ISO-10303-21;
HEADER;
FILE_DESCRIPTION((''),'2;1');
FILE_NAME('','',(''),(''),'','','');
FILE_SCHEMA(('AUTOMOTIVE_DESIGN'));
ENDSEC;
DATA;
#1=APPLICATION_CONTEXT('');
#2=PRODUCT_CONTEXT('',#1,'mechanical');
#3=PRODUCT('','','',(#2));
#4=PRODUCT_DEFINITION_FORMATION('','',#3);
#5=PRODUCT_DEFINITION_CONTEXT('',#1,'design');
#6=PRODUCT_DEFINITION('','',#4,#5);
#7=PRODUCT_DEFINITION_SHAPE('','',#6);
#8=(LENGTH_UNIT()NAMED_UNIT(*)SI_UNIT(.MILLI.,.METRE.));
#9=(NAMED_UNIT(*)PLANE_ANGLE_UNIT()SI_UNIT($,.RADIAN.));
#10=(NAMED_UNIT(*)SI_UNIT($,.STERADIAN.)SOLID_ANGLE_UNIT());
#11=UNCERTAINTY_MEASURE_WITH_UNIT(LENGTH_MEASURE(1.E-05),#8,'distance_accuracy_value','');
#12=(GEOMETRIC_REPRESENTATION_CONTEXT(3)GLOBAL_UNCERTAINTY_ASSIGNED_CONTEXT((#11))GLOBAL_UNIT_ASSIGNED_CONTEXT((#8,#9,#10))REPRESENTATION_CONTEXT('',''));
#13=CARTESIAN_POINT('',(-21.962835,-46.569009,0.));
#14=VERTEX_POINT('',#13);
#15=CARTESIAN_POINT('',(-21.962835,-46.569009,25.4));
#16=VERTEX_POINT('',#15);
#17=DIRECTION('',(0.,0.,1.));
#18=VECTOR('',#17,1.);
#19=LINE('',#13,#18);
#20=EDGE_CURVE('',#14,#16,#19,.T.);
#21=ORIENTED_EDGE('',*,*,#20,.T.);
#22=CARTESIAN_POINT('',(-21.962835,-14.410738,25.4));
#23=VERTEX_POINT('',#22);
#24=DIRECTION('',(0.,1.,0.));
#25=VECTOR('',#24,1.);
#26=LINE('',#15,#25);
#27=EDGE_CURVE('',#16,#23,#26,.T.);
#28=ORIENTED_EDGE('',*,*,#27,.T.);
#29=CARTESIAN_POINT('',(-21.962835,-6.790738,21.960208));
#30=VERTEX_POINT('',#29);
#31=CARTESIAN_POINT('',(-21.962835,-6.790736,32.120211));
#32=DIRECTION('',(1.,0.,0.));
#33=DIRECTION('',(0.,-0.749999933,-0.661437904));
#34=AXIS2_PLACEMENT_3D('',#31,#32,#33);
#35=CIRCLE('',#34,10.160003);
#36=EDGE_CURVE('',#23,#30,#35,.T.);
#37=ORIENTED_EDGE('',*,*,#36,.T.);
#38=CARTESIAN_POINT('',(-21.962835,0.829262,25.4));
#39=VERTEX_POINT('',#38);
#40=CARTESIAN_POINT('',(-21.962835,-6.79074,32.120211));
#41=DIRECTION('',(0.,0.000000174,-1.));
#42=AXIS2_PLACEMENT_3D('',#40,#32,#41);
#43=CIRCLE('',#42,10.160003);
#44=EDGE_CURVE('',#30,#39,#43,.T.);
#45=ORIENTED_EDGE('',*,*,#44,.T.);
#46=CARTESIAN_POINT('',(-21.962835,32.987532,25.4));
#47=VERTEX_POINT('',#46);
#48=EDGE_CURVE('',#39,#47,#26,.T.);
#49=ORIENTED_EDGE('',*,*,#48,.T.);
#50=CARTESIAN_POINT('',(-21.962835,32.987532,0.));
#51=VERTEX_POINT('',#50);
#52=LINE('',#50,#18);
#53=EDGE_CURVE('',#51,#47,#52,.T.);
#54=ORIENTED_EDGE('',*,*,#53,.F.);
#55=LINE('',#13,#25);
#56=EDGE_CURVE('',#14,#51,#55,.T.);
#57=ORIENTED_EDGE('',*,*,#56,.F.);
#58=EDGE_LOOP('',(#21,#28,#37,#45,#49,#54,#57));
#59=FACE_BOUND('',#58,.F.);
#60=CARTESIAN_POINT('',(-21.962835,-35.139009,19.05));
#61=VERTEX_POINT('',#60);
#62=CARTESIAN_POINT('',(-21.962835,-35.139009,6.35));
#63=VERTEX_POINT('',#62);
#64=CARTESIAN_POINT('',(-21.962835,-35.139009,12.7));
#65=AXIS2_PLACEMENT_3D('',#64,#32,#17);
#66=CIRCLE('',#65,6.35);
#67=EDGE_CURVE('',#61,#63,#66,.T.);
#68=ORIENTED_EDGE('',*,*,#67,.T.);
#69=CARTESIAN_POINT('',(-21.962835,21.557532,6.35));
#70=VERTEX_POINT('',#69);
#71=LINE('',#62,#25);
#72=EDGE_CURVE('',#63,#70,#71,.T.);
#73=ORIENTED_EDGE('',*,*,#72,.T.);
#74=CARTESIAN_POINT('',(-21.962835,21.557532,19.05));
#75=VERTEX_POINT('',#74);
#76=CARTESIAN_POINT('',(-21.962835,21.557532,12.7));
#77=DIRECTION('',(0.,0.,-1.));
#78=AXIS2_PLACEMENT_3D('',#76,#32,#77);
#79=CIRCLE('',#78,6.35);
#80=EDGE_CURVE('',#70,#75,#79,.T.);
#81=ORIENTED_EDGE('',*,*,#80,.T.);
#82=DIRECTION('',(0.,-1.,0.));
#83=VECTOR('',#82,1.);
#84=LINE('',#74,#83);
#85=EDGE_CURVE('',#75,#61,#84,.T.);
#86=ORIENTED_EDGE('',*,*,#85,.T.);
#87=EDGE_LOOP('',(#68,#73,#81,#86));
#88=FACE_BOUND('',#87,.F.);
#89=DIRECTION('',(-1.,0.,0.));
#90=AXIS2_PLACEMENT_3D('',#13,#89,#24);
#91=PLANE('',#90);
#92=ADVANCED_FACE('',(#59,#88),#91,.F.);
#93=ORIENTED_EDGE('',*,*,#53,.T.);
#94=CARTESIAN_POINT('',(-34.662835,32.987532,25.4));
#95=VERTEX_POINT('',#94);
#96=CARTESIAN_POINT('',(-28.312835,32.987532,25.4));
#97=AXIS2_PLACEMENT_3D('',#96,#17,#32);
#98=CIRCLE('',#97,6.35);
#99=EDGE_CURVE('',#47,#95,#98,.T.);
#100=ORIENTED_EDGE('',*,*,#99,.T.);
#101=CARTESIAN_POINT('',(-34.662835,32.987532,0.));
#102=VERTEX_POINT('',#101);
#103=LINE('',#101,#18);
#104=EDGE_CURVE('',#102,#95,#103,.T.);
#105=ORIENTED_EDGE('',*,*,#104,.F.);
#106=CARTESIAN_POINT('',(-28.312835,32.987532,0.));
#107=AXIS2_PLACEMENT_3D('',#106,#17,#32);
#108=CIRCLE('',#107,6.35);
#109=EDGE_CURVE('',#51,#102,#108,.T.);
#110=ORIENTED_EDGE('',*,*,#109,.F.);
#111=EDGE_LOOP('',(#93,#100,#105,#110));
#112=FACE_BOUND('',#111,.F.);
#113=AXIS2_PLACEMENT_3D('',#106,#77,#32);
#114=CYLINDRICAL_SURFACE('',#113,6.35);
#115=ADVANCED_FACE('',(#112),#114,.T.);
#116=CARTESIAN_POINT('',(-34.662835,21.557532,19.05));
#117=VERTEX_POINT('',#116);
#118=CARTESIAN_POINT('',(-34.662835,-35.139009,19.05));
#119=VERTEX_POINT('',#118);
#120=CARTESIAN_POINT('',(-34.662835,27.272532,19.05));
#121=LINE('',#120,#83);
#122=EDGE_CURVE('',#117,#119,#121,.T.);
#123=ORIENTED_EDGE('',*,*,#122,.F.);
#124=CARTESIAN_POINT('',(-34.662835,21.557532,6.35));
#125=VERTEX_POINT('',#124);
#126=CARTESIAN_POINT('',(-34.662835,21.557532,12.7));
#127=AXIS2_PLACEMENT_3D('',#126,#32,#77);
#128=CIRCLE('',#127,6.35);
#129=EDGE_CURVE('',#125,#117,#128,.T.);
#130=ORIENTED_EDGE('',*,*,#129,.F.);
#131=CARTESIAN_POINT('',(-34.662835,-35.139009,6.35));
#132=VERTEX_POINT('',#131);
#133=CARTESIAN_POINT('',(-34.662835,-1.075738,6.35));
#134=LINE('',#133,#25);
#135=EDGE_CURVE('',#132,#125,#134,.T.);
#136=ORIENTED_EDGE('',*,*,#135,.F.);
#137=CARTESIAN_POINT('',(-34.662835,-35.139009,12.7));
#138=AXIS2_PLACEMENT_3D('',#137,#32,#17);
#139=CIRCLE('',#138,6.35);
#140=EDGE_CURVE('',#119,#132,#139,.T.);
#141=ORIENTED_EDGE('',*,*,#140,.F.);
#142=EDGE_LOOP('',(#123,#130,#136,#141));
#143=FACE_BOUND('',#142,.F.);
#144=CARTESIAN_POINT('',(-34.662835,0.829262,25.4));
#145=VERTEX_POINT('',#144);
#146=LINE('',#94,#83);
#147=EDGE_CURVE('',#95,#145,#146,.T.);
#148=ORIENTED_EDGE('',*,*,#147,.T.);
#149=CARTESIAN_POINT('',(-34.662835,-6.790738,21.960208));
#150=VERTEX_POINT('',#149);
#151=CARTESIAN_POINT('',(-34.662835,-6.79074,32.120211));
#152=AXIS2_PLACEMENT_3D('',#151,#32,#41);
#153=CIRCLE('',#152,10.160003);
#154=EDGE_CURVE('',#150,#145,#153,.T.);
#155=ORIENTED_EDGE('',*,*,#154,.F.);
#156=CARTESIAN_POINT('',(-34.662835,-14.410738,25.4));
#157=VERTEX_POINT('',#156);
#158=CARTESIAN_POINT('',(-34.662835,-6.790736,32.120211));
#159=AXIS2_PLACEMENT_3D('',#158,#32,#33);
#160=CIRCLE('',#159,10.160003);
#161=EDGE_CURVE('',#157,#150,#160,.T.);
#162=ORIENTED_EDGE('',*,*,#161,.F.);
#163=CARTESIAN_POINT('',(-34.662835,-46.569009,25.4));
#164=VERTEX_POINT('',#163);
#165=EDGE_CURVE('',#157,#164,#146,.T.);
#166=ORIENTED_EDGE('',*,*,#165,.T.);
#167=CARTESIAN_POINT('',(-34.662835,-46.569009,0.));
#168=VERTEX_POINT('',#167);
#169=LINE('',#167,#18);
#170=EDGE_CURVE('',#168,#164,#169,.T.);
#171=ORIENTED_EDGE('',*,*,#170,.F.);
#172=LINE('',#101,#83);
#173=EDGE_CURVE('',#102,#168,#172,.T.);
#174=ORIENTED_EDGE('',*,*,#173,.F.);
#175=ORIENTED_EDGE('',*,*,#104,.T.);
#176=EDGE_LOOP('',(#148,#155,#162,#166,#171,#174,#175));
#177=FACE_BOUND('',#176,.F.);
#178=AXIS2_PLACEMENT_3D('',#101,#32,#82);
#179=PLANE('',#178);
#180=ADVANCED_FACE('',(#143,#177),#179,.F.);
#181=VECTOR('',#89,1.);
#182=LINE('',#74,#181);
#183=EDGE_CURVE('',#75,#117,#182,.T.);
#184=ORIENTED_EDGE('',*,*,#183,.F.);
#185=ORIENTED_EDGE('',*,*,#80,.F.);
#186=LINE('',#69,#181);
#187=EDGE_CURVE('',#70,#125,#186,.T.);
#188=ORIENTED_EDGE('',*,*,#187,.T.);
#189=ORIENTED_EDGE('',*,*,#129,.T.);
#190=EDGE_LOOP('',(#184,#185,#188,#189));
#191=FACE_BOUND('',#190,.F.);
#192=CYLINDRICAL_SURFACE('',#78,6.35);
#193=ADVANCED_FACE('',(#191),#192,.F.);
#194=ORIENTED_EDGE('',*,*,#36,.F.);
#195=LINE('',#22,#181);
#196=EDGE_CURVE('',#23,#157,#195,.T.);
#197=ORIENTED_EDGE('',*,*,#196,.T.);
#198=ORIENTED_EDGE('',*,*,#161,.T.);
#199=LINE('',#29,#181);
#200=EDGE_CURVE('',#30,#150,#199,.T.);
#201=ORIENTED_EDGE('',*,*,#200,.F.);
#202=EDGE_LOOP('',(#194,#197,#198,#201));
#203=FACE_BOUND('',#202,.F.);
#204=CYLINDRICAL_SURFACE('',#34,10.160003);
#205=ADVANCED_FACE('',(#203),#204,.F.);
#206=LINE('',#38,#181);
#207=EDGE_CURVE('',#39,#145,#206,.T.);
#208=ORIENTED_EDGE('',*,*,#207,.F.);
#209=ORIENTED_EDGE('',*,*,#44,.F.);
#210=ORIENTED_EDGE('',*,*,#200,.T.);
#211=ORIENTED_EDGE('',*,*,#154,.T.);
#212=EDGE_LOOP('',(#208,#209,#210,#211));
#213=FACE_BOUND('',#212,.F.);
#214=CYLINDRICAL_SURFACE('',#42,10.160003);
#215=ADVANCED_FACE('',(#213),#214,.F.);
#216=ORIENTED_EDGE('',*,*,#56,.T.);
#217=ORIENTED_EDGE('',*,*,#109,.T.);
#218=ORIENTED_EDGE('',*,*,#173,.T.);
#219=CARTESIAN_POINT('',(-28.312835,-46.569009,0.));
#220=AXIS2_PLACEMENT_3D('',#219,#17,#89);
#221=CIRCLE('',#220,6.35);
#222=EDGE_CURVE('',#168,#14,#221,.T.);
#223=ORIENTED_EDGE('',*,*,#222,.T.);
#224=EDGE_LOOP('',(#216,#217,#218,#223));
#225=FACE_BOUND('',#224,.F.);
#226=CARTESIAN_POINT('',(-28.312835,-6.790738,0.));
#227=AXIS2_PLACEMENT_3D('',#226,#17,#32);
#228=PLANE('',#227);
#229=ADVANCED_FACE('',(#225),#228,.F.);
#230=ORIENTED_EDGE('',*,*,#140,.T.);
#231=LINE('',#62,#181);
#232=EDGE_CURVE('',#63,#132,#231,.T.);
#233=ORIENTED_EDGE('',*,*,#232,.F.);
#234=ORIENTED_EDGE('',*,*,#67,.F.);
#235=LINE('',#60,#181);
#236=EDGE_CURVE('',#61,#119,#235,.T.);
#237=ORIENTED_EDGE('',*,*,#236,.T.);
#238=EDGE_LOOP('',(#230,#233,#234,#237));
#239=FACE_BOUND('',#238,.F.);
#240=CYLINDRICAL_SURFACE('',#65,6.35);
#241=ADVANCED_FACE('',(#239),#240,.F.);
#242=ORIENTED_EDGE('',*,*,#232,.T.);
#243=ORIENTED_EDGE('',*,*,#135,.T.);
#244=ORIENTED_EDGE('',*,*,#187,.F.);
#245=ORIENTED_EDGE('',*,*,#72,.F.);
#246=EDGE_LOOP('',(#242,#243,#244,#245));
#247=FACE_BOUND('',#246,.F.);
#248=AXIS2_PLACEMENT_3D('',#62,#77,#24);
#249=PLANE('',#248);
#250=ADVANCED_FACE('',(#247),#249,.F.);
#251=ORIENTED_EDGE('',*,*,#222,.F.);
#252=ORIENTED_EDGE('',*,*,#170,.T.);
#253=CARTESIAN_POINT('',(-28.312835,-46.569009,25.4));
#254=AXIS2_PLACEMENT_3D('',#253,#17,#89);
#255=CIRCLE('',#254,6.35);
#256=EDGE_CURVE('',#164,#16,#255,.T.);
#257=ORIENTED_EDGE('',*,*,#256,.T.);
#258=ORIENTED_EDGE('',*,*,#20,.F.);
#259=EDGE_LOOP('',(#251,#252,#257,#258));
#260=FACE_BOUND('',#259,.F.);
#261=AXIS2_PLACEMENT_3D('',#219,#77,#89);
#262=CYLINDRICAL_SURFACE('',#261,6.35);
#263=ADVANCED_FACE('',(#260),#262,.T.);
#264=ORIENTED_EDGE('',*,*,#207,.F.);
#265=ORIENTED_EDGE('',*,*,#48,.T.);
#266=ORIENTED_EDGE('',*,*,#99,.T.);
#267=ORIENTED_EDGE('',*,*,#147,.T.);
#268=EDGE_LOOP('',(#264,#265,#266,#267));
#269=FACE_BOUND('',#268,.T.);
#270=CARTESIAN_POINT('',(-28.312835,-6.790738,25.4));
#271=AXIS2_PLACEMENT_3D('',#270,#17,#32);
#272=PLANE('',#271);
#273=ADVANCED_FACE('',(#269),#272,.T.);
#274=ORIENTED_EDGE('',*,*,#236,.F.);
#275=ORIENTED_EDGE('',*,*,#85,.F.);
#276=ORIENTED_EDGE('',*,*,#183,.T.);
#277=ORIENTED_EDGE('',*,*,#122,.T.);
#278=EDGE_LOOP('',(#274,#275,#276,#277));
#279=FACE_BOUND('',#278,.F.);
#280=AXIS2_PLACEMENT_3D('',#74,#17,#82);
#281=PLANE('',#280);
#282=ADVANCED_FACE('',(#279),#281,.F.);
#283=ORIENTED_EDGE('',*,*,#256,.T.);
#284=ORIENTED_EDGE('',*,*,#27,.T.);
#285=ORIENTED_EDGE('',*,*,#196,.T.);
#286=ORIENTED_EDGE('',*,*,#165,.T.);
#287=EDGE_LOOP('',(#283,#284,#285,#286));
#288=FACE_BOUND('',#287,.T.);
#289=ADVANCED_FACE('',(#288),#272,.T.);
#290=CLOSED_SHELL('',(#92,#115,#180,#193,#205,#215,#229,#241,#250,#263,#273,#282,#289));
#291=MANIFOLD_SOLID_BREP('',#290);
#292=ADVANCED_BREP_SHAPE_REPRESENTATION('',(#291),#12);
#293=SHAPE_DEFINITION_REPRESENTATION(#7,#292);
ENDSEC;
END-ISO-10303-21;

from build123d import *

# Parameters (mm, degrees)
F1_DEPTH = 25.4
F3_DEPTH = 25.4
F5_DEPTH = 25.4


with BuildPart() as f1:
    # F0 (on Top) → F1 (new body)
    with BuildSketch(Plane.XY):
        with BuildLine():
            Line((-34.662835, 32.987532), (-34.662835, -46.569009))
            ThreePointArc((-34.662835, -46.569009), (-28.312835, -52.919009), (-21.962835, -46.569009))
            Line((-21.962835, -46.569009), (-21.962835, 32.987532))
            ThreePointArc((-21.962835, 32.987532), (-28.312835, 39.337532), (-34.662835, 32.987532))
        make_face()
    extrude(amount=F1_DEPTH)

    # F2 (on face) → F3 (cut)
    with BuildSketch(Plane.YZ.offset(-21.962835)):
        with BuildLine():
            Line((21.557532, 19.05), (-35.139009, 19.05))
            ThreePointArc((-35.139009, 19.05), (-41.489009, 12.7), (-35.139009, 6.35))
            Line((-35.139009, 6.35), (21.557532, 6.35))
            ThreePointArc((21.557532, 6.35), (27.907532, 12.7), (21.557532, 19.05))
        make_face()
    extrude(amount=-F3_DEPTH, mode=Mode.SUBTRACT)

    # F4 (on face) → F5 (cut)
    with BuildSketch(Plane.YZ.offset(-21.962835)):
        with BuildLine():
            Line((0.829262, 25.4), (-6.790738, 25.4))
            Line((-6.790738, 25.4), (-6.790738, 21.960208))
            ThreePointArc((-6.790738, 21.960208), (-2.61053, 22.86), (0.829262, 25.4))
        make_face()
        with BuildLine():
            Line((-6.790738, 21.960208), (-6.790738, 25.4))
            Line((-6.790738, 25.4), (-14.410738, 25.4))
            ThreePointArc((-14.410738, 25.4), (-10.970946, 22.86), (-6.790738, 21.960208))
        make_face()
    extrude(amount=-F5_DEPTH, mode=Mode.SUBTRACT)


solid = f1.part
